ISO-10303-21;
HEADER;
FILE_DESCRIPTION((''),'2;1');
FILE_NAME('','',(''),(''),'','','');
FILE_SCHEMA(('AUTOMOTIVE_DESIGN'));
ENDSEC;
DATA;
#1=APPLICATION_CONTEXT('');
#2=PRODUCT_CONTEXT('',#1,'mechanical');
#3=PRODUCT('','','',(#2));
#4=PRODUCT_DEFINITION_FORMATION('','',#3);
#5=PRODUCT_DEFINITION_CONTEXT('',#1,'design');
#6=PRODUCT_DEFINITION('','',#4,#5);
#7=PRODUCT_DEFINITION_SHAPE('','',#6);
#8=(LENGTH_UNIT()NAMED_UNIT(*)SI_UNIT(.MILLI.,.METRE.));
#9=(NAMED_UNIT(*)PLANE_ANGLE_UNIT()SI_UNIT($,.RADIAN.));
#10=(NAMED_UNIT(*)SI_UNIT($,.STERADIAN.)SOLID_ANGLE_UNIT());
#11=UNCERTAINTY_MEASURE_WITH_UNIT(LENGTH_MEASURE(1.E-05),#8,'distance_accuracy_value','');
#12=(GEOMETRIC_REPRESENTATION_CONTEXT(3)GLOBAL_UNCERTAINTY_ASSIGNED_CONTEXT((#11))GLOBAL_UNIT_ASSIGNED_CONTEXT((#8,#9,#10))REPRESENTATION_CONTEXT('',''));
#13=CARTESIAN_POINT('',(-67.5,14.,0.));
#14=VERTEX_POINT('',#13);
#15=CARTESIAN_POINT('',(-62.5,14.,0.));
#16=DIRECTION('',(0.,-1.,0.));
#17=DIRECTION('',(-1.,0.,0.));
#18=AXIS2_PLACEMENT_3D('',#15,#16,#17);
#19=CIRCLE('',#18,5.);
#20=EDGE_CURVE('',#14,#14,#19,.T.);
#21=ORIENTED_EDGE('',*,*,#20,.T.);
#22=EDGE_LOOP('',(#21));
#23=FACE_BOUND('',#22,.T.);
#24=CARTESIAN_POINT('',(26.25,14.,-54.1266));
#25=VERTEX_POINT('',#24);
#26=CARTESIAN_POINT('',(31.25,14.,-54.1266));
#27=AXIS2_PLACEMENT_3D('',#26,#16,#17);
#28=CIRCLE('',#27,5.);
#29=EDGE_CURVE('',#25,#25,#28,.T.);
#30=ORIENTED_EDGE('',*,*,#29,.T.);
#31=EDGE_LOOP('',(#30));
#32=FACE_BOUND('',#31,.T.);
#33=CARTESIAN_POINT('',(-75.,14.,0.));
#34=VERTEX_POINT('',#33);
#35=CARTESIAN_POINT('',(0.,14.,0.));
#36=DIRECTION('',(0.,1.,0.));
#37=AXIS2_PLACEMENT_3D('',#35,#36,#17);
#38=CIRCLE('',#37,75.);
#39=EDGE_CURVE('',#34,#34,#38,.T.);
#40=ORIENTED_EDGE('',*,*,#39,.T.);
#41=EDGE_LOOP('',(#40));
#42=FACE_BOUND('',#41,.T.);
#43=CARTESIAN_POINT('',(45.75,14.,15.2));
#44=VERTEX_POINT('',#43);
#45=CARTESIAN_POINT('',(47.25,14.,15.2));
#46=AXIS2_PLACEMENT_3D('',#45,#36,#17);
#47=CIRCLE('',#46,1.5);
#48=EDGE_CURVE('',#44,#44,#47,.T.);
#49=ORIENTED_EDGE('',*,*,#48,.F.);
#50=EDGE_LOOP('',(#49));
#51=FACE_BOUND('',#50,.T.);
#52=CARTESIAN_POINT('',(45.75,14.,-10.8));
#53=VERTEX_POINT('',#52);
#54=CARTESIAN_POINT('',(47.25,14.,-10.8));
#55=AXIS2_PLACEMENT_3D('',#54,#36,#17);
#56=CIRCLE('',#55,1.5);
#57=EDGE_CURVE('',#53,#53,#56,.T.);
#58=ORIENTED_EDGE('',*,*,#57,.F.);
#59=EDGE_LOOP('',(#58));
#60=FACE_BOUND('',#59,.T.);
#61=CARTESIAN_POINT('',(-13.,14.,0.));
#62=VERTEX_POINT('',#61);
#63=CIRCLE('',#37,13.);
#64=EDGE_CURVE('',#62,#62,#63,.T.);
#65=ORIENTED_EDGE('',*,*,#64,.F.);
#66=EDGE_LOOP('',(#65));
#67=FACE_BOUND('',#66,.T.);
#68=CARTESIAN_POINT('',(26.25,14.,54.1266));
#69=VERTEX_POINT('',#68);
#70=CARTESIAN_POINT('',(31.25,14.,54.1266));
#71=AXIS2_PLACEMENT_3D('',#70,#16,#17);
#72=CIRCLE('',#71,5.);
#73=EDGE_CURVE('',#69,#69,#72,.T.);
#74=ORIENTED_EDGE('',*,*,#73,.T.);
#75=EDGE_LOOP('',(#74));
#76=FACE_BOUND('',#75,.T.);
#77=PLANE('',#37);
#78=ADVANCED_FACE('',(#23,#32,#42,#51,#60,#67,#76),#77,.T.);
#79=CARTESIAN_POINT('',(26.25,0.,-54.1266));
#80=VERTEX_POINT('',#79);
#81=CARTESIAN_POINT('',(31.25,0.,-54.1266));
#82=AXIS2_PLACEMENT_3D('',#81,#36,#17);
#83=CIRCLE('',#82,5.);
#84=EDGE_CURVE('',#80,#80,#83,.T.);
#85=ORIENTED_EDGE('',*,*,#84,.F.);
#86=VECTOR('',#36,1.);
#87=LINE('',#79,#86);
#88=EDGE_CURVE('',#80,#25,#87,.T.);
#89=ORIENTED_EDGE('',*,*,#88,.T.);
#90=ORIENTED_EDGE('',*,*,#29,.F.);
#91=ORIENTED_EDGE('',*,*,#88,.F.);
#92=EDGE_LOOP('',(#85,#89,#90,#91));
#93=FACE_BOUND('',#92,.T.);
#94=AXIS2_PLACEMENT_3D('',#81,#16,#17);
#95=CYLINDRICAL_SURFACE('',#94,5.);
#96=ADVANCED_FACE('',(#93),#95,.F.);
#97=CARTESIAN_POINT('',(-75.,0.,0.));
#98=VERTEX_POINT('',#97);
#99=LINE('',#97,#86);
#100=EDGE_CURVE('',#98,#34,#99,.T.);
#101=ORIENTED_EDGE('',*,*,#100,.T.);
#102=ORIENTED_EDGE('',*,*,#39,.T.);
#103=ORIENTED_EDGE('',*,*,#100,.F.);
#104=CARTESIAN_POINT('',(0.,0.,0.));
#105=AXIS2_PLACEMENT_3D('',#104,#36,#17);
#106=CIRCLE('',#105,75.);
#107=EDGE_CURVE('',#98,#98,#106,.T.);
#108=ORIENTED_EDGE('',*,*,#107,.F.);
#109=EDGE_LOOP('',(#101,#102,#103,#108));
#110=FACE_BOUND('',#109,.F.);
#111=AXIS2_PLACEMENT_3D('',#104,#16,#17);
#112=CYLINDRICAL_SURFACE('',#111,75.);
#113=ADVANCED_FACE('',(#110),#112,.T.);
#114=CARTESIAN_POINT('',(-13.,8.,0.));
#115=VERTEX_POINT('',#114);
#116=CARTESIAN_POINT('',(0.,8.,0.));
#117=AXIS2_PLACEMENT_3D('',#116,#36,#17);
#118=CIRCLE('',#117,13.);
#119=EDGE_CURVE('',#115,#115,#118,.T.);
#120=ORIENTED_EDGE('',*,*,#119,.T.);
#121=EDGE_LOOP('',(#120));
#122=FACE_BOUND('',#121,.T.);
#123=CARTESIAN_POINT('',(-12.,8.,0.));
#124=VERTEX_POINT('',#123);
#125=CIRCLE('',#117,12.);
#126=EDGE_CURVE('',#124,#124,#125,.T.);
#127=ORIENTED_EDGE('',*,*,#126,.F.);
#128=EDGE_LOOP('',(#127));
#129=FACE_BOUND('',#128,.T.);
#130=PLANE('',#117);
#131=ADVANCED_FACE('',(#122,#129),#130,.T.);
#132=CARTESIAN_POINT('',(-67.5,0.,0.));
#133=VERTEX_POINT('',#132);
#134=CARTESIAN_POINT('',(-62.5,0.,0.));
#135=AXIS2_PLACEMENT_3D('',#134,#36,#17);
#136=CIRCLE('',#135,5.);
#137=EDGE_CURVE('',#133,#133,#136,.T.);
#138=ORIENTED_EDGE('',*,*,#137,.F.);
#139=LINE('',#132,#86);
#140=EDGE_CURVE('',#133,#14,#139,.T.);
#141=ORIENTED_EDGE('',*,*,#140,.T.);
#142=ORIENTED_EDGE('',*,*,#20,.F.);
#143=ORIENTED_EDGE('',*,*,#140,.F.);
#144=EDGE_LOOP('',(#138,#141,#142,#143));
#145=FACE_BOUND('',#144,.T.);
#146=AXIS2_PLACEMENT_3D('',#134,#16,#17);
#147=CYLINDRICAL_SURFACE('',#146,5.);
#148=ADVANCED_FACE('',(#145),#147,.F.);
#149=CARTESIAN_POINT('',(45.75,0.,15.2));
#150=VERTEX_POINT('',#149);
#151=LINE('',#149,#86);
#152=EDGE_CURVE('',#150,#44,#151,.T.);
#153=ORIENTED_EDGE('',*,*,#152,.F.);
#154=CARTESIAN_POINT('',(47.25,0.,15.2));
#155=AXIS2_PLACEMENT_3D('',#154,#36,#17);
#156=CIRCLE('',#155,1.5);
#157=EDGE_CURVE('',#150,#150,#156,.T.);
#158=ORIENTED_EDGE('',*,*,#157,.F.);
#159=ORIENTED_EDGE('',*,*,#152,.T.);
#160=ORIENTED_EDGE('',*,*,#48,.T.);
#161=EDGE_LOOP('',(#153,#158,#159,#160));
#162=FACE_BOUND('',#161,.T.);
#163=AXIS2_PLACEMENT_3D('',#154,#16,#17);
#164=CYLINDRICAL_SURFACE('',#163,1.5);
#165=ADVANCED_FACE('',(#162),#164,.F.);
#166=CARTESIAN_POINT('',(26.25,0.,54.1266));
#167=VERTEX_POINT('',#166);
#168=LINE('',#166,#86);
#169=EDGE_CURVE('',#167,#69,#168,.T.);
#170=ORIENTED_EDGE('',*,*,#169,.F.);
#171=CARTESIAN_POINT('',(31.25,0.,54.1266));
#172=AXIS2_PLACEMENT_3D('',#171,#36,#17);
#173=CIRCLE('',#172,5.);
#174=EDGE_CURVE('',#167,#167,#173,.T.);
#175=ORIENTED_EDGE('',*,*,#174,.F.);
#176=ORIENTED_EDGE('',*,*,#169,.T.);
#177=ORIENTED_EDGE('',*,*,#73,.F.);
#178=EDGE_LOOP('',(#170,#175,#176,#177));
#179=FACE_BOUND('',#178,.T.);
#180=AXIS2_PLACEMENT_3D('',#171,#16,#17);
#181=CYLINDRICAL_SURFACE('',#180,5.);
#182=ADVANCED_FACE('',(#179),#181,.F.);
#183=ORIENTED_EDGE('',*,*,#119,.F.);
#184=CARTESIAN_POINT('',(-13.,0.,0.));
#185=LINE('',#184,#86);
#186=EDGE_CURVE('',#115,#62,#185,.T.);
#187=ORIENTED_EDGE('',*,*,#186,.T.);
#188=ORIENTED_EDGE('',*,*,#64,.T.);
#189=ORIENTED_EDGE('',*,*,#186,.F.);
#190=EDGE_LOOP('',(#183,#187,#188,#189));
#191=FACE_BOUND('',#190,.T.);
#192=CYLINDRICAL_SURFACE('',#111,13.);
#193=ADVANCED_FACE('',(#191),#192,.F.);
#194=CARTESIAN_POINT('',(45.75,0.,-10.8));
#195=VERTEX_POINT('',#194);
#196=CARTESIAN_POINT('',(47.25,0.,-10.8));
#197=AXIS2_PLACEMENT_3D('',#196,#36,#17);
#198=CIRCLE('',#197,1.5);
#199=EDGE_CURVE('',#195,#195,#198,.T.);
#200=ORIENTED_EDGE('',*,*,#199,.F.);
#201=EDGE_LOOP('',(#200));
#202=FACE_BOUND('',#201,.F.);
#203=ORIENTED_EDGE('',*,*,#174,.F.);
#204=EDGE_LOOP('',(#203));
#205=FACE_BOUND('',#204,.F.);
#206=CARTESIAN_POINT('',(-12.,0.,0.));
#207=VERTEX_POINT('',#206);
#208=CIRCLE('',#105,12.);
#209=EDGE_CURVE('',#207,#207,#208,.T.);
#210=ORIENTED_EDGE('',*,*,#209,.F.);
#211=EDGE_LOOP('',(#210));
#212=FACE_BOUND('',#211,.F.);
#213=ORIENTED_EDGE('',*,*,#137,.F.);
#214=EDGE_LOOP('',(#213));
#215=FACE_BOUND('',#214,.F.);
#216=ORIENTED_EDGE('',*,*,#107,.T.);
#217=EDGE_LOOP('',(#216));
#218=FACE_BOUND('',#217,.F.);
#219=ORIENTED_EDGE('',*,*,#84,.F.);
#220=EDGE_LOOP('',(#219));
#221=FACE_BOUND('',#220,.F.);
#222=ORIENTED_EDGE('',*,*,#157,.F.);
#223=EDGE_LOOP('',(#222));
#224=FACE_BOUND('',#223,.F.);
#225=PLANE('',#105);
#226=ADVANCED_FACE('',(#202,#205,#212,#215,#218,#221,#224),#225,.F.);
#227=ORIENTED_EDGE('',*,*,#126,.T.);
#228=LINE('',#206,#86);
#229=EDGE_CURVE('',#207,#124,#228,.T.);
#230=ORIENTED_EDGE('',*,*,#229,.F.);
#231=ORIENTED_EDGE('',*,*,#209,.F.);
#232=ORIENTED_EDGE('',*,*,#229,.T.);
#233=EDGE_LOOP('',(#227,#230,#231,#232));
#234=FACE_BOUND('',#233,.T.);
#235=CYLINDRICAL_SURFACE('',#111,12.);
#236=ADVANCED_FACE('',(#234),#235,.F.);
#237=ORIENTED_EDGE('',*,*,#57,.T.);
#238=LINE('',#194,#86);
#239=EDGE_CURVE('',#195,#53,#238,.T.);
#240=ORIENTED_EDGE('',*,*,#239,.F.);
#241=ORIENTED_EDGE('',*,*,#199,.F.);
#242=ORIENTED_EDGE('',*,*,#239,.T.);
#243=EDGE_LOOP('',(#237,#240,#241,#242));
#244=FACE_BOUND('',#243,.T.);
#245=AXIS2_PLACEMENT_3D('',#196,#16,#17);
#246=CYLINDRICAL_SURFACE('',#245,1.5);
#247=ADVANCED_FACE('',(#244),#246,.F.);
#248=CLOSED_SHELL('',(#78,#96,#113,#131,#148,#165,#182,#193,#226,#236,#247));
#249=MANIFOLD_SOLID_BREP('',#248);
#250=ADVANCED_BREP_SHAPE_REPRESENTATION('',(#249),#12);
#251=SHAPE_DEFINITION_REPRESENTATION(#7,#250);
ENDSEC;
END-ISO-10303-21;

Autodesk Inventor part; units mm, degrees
ref_plane "YZ Plane" through (0, 0, 0) normal (1, 0, 0) x (0, 1, 0)
ref_plane "XZ Plane" through (0, 0, 0) normal (0, 1, 0) x (-1, 0, 0)
ref_plane "XY Plane" through (0, 0, 0) normal (0, 0, 1) x (1, 0, 0)
sketch "Boceto1" plane through (0, 0, 0) normal (0, 1, 0) x (-1, 0, 0)
  circle A0 centre (0, 0) radius 75
  circle A1 centre (0, 0) radius 62.5
  circle A2 centre (62.5, 0) radius 5
  circle A3 centre (0, 0) radius 13
  circle A4 centre (0, 0) radius 12
  circle A5 centre (-47.25, 15.2) radius 1.5
  circle A6 centre (-47.25, -10.8) radius 1.5
  circle A7 centre (-31.25, 54.1266) radius 5
  circle A8 centre (-31.25, -54.1266) radius 5
extrude "Extrusión1" add sketch "Boceto1" along normal blind 14 contours A0 | A2 A1 A8 A7
extrude "Extrusión2" add sketch "Boceto1" along normal blind 8 contours A3
thread "Rosca1" size "M10x1.5" class "6H" standard "ANSI Metric M Profile" full length
thread "Rosca2" size "M10x1.5" class "6H" standard "ANSI Metric M Profile" full length
thread "Rosca3" size "M10x1.5" class "6H" standard "ANSI Metric M Profile" full length
thread "Rosca4" size "M3x0.5" class "6H" standard "ANSI Metric M Profile" full length
thread "Rosca5" size "M3x0.5" class "6H" standard "ANSI Metric M Profile" full length
properties part number "1.1.1.Base Sta.Plate"
